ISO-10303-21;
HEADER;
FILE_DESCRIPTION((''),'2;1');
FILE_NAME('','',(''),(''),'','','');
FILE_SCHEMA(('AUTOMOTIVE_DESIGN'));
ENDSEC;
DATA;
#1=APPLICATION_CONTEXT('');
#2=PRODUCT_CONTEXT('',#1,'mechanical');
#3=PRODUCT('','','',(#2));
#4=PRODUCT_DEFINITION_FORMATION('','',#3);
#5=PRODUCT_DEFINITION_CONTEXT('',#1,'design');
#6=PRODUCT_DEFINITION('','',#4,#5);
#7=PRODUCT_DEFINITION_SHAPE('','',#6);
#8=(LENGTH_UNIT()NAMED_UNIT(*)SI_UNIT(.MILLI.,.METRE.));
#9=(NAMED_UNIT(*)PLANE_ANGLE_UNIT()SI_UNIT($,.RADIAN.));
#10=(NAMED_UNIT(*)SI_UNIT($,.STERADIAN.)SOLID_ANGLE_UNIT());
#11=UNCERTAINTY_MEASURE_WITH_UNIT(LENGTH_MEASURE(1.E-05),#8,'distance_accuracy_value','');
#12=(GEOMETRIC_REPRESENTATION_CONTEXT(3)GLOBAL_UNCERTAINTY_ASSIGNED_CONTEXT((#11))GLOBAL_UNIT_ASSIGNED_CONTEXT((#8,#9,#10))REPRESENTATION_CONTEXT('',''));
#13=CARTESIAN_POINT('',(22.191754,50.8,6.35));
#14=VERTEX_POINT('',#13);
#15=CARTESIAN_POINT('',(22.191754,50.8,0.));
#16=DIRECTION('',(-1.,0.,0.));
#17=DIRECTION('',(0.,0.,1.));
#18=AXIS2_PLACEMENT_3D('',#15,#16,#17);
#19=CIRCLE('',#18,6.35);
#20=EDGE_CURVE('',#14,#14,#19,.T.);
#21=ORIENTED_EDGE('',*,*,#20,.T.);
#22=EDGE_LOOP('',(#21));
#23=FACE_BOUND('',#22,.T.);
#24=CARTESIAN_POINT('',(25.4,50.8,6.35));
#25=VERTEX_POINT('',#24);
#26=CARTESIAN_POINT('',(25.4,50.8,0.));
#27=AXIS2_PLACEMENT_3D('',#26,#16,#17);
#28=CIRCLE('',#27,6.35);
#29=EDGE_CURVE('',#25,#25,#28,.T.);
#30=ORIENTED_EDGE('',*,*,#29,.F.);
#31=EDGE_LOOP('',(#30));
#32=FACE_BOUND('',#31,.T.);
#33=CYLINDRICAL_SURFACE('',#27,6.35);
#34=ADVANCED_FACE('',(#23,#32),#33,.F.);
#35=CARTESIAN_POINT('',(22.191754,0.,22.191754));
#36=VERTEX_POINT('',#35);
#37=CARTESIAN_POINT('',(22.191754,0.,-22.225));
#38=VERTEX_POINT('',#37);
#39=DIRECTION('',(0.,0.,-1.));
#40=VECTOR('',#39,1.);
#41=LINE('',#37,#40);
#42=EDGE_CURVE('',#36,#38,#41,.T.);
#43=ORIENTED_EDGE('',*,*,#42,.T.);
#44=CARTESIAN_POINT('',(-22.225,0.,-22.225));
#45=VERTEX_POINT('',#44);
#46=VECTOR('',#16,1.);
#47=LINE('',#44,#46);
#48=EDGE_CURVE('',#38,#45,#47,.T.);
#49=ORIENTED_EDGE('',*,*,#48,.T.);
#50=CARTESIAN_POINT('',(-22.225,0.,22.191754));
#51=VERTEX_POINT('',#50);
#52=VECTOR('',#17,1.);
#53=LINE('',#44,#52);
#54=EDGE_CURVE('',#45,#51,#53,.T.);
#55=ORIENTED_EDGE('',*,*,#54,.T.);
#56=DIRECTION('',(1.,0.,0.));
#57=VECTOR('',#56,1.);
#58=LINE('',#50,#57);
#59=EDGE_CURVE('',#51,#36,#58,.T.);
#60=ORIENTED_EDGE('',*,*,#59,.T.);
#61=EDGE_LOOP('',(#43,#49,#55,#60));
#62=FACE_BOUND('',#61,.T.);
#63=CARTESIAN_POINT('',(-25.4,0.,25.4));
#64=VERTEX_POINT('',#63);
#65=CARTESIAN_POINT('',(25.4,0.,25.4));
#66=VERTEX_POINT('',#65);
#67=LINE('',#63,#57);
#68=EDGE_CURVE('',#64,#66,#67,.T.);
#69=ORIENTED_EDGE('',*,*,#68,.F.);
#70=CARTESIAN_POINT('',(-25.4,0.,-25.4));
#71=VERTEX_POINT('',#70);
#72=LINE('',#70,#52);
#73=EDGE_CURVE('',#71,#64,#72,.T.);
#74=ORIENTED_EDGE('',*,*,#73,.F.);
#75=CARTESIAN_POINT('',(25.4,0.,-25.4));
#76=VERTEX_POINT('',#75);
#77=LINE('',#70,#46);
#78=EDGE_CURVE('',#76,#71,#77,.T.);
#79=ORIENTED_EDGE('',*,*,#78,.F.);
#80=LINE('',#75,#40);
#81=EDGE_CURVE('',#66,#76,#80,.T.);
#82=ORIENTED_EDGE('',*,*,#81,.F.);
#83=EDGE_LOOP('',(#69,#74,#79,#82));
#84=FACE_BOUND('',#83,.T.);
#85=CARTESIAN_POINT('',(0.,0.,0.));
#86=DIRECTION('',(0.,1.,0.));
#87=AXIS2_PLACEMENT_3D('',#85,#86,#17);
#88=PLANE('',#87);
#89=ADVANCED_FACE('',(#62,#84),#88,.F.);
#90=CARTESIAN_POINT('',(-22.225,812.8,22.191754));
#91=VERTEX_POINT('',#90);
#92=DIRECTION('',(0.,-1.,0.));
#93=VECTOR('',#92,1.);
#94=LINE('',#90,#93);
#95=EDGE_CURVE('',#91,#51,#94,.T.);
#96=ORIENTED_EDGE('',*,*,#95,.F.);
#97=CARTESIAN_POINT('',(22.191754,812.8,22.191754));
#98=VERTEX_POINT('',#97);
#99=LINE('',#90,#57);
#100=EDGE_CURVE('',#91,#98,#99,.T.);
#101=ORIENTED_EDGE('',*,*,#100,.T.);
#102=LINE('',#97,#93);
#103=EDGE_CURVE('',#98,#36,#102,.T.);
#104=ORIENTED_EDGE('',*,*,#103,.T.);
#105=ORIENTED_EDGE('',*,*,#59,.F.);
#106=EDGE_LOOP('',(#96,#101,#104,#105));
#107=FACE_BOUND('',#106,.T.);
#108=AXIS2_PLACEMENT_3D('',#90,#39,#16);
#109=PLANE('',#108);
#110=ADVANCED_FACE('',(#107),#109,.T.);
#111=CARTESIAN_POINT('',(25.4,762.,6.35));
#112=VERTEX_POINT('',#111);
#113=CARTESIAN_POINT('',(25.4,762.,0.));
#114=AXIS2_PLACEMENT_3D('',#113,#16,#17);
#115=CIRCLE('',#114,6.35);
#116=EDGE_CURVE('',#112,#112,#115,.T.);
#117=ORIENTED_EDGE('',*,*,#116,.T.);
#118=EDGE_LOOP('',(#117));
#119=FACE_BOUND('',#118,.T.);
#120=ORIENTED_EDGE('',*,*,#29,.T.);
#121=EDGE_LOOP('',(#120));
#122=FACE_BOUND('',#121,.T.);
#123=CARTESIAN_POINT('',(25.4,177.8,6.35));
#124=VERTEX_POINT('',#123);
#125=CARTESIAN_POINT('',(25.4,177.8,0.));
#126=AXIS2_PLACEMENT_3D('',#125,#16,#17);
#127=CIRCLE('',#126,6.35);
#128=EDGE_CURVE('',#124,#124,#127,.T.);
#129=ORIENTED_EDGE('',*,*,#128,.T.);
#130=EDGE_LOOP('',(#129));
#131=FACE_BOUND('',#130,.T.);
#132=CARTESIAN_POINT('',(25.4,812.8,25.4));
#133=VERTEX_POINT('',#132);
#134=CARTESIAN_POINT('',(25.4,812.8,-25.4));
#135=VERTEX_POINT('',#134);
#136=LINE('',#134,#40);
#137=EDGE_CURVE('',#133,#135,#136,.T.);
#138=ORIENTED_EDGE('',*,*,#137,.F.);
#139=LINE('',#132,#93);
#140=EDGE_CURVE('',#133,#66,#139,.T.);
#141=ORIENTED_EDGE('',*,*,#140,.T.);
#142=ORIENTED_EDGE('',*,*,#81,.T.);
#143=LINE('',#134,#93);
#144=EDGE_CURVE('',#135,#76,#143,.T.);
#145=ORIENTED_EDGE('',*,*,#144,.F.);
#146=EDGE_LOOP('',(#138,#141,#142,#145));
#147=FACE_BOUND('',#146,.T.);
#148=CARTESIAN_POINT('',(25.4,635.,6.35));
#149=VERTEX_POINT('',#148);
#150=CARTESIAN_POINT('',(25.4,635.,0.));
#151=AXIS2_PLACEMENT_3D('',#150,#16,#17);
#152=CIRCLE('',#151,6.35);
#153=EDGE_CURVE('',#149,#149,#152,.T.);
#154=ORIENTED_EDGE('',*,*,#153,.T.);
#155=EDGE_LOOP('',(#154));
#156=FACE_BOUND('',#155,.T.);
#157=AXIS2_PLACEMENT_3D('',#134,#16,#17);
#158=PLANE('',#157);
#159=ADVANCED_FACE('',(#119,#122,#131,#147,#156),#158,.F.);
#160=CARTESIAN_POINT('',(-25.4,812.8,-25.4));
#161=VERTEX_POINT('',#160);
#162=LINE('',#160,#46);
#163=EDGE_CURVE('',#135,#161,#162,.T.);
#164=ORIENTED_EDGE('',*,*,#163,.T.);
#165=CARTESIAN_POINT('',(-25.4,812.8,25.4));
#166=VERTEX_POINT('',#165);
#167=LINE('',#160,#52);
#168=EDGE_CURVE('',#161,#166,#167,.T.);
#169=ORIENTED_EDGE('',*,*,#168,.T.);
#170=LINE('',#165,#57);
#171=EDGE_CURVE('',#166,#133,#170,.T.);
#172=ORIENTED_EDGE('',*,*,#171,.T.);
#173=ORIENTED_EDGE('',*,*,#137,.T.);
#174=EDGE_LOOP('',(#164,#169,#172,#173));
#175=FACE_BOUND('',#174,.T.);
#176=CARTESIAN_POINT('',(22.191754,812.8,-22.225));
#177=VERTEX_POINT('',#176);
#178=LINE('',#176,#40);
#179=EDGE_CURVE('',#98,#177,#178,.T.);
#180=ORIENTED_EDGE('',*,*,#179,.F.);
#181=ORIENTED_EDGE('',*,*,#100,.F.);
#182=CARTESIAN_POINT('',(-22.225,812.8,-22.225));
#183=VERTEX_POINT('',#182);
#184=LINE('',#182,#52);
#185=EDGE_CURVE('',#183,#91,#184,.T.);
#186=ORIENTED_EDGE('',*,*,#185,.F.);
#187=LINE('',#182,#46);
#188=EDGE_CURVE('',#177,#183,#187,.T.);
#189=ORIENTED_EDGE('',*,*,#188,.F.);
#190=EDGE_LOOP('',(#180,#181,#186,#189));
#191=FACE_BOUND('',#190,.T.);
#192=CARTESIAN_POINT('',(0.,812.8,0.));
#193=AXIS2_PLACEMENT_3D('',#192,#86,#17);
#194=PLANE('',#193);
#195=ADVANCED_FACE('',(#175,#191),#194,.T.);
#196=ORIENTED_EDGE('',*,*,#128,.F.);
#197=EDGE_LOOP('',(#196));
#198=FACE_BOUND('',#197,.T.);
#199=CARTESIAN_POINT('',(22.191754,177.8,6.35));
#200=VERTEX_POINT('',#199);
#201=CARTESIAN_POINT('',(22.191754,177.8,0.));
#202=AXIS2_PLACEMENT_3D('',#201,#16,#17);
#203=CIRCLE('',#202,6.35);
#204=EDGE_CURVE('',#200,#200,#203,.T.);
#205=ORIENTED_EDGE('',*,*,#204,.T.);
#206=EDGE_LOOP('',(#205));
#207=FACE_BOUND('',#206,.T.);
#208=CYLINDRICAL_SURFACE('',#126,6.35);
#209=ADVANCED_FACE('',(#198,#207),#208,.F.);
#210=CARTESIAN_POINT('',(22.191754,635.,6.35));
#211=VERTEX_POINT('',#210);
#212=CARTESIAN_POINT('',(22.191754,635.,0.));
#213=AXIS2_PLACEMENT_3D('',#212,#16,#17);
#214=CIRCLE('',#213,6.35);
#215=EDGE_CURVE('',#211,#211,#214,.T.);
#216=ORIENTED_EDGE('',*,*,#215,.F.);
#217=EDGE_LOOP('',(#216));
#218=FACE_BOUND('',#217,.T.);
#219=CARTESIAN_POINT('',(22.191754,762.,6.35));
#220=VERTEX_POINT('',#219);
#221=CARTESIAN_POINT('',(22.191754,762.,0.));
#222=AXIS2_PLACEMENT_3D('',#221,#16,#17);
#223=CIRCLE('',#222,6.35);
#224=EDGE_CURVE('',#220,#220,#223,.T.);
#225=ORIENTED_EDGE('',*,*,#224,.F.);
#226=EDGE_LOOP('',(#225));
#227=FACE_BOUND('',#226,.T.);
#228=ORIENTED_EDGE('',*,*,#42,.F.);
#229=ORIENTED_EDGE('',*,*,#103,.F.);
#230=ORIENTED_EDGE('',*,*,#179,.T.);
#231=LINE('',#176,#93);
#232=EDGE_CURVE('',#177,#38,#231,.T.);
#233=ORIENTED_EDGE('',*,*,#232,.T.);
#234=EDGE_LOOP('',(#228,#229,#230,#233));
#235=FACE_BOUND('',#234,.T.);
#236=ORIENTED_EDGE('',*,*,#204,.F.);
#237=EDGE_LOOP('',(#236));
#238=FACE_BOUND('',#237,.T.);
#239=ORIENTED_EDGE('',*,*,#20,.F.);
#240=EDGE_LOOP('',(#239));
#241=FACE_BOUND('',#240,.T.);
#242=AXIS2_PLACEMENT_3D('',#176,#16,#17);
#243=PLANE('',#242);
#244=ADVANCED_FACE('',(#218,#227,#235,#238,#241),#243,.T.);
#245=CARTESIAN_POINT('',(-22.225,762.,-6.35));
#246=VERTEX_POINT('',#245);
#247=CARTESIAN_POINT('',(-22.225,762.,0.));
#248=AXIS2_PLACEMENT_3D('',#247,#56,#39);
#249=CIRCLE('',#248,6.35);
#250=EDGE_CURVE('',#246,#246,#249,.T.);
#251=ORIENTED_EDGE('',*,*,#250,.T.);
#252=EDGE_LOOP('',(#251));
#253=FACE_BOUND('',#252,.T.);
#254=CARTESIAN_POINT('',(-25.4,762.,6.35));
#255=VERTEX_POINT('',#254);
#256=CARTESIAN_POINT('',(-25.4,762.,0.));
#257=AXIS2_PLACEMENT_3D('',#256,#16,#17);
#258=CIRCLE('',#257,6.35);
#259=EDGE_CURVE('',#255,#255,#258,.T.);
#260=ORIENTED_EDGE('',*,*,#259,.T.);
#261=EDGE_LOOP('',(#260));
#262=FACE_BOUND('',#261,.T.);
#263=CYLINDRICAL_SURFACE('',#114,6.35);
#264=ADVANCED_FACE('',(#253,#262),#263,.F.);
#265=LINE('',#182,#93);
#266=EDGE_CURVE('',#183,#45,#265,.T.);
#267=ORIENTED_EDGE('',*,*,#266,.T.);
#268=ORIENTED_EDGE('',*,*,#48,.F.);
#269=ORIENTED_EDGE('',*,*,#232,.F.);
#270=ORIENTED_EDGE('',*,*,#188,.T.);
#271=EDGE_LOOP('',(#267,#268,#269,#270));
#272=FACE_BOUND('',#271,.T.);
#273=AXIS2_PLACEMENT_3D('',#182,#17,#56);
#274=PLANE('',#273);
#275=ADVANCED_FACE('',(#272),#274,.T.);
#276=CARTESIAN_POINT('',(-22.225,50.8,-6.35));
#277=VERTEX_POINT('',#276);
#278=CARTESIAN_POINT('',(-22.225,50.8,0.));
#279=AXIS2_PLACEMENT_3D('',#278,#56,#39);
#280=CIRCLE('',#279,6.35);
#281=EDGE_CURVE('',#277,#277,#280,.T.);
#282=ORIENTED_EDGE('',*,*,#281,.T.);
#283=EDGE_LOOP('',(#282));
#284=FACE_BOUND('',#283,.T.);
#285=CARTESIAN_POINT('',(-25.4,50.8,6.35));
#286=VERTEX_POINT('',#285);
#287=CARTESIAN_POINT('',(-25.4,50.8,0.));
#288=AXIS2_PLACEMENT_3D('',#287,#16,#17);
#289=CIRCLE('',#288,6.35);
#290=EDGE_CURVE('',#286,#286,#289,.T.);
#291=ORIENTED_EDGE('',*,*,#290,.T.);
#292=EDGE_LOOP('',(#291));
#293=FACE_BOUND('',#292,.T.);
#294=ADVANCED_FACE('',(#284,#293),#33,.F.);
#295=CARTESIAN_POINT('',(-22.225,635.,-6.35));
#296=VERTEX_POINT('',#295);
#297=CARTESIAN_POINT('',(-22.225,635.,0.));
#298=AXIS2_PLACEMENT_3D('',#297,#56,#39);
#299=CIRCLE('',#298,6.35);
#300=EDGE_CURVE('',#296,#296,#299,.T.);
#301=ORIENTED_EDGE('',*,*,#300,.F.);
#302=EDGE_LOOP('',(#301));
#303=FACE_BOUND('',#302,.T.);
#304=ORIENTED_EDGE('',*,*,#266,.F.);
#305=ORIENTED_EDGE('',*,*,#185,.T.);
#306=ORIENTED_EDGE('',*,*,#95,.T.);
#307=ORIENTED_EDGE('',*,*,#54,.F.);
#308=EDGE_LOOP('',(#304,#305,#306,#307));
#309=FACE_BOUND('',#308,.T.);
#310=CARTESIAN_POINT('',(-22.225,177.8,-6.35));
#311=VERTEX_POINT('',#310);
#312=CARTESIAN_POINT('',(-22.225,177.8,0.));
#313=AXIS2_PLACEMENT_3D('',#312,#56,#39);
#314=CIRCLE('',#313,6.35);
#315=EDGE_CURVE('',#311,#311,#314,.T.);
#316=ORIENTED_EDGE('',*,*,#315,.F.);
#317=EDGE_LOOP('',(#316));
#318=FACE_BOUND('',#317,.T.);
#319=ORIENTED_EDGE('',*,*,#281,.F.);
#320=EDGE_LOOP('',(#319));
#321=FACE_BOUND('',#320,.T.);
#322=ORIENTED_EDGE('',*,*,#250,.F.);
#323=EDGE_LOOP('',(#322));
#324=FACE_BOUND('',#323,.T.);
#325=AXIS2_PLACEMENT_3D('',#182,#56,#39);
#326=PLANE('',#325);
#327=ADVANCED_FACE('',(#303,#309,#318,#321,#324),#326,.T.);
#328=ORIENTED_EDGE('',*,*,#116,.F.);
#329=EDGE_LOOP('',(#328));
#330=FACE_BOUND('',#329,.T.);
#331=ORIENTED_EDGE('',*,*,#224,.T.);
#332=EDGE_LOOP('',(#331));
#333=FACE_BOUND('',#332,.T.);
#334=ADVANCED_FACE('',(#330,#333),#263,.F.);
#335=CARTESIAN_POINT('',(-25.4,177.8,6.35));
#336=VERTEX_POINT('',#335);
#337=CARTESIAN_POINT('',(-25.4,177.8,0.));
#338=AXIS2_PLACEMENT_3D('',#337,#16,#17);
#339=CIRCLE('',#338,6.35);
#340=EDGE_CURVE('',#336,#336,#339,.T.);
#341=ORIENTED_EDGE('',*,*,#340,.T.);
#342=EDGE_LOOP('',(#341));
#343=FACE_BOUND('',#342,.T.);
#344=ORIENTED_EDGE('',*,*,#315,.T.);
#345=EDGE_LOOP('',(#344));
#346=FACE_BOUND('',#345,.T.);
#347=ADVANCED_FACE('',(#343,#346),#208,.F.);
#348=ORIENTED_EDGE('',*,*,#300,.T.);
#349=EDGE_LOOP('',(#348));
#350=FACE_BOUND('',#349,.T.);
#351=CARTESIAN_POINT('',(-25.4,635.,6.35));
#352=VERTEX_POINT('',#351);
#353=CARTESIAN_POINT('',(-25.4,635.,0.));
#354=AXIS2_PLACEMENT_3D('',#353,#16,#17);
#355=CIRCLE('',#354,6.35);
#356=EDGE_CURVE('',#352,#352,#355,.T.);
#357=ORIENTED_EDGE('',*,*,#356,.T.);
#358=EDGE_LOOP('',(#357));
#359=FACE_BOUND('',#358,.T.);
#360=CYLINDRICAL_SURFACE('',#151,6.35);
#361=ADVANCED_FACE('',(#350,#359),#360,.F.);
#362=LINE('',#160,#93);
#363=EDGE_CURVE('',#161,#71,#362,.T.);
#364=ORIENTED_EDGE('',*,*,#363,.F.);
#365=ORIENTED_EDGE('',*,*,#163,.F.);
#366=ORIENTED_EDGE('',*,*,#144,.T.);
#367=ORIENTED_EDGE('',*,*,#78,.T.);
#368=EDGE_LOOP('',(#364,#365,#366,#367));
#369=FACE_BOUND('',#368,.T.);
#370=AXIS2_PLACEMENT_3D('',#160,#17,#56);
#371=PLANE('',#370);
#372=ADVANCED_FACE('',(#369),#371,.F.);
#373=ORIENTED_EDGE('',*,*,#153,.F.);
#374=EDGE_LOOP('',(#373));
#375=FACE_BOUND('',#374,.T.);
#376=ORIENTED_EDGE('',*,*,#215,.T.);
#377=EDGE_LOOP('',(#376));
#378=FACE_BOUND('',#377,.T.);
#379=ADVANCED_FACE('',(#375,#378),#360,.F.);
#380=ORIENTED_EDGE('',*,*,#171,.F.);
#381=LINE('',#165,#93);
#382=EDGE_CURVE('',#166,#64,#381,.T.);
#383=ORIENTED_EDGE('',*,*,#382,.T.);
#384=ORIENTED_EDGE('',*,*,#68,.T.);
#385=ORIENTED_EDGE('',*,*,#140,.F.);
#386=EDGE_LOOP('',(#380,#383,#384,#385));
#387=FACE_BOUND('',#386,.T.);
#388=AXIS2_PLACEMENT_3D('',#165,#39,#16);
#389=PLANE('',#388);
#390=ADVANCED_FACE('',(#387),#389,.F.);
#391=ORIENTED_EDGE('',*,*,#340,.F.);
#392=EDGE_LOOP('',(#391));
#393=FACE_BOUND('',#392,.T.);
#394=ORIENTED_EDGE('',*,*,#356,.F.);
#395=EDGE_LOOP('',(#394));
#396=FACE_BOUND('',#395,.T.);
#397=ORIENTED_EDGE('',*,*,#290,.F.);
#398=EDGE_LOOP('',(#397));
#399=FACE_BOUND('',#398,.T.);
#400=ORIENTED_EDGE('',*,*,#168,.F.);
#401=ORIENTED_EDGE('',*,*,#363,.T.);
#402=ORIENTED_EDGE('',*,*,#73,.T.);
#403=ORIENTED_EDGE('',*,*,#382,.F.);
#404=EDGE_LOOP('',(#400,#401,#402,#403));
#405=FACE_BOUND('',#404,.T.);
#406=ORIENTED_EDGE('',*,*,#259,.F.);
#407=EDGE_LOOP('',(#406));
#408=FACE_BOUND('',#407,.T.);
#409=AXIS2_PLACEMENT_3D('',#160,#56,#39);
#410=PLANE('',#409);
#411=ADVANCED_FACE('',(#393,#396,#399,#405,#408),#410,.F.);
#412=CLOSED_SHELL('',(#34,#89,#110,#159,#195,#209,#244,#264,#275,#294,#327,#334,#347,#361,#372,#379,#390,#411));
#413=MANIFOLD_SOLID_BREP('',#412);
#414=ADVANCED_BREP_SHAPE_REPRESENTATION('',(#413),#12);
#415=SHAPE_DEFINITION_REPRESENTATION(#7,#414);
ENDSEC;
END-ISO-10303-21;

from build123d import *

# Parameters (mm, degrees)
SKETCH1_W           = 50.8
SKETCH1_H           = 50.8
SKETCH1_W_2         = 44.416753927
SKETCH1_H_2         = 44.416753927
BOSS_EXTRUDE1_DEPTH = 812.8
SKETCH2_R           = 6.35
CUT_EXTRUDE1_DEPTH  = 51.8


with BuildPart() as part:
    # Sketch1 → Boss-Extrude1 (new body)
    with BuildSketch(Plane(origin=(0, 0, 0), x_dir=(1, 0, 0), z_dir=(0, 1, 0))):
        Rectangle(SKETCH1_W, SKETCH1_H)
        with Locations((-0.016623037, 0.016623037)):
            Rectangle(SKETCH1_W_2, SKETCH1_H_2, mode=Mode.SUBTRACT)
    extrude(amount=BOSS_EXTRUDE1_DEPTH)

    # Sketch2 → Cut-Extrude1 (cut, through all)
    with BuildSketch(Plane.ZY.offset(25.4)):
        with Locations((0, 50.8)):
            Circle(SKETCH2_R)
        with Locations((0, 177.8)):
            Circle(SKETCH2_R)
        with Locations((0, 635)):
            Circle(SKETCH2_R)
        with Locations((0, 762)):
            Circle(SKETCH2_R)
    extrude(amount=-CUT_EXTRUDE1_DEPTH, mode=Mode.SUBTRACT)


solid = part.part
